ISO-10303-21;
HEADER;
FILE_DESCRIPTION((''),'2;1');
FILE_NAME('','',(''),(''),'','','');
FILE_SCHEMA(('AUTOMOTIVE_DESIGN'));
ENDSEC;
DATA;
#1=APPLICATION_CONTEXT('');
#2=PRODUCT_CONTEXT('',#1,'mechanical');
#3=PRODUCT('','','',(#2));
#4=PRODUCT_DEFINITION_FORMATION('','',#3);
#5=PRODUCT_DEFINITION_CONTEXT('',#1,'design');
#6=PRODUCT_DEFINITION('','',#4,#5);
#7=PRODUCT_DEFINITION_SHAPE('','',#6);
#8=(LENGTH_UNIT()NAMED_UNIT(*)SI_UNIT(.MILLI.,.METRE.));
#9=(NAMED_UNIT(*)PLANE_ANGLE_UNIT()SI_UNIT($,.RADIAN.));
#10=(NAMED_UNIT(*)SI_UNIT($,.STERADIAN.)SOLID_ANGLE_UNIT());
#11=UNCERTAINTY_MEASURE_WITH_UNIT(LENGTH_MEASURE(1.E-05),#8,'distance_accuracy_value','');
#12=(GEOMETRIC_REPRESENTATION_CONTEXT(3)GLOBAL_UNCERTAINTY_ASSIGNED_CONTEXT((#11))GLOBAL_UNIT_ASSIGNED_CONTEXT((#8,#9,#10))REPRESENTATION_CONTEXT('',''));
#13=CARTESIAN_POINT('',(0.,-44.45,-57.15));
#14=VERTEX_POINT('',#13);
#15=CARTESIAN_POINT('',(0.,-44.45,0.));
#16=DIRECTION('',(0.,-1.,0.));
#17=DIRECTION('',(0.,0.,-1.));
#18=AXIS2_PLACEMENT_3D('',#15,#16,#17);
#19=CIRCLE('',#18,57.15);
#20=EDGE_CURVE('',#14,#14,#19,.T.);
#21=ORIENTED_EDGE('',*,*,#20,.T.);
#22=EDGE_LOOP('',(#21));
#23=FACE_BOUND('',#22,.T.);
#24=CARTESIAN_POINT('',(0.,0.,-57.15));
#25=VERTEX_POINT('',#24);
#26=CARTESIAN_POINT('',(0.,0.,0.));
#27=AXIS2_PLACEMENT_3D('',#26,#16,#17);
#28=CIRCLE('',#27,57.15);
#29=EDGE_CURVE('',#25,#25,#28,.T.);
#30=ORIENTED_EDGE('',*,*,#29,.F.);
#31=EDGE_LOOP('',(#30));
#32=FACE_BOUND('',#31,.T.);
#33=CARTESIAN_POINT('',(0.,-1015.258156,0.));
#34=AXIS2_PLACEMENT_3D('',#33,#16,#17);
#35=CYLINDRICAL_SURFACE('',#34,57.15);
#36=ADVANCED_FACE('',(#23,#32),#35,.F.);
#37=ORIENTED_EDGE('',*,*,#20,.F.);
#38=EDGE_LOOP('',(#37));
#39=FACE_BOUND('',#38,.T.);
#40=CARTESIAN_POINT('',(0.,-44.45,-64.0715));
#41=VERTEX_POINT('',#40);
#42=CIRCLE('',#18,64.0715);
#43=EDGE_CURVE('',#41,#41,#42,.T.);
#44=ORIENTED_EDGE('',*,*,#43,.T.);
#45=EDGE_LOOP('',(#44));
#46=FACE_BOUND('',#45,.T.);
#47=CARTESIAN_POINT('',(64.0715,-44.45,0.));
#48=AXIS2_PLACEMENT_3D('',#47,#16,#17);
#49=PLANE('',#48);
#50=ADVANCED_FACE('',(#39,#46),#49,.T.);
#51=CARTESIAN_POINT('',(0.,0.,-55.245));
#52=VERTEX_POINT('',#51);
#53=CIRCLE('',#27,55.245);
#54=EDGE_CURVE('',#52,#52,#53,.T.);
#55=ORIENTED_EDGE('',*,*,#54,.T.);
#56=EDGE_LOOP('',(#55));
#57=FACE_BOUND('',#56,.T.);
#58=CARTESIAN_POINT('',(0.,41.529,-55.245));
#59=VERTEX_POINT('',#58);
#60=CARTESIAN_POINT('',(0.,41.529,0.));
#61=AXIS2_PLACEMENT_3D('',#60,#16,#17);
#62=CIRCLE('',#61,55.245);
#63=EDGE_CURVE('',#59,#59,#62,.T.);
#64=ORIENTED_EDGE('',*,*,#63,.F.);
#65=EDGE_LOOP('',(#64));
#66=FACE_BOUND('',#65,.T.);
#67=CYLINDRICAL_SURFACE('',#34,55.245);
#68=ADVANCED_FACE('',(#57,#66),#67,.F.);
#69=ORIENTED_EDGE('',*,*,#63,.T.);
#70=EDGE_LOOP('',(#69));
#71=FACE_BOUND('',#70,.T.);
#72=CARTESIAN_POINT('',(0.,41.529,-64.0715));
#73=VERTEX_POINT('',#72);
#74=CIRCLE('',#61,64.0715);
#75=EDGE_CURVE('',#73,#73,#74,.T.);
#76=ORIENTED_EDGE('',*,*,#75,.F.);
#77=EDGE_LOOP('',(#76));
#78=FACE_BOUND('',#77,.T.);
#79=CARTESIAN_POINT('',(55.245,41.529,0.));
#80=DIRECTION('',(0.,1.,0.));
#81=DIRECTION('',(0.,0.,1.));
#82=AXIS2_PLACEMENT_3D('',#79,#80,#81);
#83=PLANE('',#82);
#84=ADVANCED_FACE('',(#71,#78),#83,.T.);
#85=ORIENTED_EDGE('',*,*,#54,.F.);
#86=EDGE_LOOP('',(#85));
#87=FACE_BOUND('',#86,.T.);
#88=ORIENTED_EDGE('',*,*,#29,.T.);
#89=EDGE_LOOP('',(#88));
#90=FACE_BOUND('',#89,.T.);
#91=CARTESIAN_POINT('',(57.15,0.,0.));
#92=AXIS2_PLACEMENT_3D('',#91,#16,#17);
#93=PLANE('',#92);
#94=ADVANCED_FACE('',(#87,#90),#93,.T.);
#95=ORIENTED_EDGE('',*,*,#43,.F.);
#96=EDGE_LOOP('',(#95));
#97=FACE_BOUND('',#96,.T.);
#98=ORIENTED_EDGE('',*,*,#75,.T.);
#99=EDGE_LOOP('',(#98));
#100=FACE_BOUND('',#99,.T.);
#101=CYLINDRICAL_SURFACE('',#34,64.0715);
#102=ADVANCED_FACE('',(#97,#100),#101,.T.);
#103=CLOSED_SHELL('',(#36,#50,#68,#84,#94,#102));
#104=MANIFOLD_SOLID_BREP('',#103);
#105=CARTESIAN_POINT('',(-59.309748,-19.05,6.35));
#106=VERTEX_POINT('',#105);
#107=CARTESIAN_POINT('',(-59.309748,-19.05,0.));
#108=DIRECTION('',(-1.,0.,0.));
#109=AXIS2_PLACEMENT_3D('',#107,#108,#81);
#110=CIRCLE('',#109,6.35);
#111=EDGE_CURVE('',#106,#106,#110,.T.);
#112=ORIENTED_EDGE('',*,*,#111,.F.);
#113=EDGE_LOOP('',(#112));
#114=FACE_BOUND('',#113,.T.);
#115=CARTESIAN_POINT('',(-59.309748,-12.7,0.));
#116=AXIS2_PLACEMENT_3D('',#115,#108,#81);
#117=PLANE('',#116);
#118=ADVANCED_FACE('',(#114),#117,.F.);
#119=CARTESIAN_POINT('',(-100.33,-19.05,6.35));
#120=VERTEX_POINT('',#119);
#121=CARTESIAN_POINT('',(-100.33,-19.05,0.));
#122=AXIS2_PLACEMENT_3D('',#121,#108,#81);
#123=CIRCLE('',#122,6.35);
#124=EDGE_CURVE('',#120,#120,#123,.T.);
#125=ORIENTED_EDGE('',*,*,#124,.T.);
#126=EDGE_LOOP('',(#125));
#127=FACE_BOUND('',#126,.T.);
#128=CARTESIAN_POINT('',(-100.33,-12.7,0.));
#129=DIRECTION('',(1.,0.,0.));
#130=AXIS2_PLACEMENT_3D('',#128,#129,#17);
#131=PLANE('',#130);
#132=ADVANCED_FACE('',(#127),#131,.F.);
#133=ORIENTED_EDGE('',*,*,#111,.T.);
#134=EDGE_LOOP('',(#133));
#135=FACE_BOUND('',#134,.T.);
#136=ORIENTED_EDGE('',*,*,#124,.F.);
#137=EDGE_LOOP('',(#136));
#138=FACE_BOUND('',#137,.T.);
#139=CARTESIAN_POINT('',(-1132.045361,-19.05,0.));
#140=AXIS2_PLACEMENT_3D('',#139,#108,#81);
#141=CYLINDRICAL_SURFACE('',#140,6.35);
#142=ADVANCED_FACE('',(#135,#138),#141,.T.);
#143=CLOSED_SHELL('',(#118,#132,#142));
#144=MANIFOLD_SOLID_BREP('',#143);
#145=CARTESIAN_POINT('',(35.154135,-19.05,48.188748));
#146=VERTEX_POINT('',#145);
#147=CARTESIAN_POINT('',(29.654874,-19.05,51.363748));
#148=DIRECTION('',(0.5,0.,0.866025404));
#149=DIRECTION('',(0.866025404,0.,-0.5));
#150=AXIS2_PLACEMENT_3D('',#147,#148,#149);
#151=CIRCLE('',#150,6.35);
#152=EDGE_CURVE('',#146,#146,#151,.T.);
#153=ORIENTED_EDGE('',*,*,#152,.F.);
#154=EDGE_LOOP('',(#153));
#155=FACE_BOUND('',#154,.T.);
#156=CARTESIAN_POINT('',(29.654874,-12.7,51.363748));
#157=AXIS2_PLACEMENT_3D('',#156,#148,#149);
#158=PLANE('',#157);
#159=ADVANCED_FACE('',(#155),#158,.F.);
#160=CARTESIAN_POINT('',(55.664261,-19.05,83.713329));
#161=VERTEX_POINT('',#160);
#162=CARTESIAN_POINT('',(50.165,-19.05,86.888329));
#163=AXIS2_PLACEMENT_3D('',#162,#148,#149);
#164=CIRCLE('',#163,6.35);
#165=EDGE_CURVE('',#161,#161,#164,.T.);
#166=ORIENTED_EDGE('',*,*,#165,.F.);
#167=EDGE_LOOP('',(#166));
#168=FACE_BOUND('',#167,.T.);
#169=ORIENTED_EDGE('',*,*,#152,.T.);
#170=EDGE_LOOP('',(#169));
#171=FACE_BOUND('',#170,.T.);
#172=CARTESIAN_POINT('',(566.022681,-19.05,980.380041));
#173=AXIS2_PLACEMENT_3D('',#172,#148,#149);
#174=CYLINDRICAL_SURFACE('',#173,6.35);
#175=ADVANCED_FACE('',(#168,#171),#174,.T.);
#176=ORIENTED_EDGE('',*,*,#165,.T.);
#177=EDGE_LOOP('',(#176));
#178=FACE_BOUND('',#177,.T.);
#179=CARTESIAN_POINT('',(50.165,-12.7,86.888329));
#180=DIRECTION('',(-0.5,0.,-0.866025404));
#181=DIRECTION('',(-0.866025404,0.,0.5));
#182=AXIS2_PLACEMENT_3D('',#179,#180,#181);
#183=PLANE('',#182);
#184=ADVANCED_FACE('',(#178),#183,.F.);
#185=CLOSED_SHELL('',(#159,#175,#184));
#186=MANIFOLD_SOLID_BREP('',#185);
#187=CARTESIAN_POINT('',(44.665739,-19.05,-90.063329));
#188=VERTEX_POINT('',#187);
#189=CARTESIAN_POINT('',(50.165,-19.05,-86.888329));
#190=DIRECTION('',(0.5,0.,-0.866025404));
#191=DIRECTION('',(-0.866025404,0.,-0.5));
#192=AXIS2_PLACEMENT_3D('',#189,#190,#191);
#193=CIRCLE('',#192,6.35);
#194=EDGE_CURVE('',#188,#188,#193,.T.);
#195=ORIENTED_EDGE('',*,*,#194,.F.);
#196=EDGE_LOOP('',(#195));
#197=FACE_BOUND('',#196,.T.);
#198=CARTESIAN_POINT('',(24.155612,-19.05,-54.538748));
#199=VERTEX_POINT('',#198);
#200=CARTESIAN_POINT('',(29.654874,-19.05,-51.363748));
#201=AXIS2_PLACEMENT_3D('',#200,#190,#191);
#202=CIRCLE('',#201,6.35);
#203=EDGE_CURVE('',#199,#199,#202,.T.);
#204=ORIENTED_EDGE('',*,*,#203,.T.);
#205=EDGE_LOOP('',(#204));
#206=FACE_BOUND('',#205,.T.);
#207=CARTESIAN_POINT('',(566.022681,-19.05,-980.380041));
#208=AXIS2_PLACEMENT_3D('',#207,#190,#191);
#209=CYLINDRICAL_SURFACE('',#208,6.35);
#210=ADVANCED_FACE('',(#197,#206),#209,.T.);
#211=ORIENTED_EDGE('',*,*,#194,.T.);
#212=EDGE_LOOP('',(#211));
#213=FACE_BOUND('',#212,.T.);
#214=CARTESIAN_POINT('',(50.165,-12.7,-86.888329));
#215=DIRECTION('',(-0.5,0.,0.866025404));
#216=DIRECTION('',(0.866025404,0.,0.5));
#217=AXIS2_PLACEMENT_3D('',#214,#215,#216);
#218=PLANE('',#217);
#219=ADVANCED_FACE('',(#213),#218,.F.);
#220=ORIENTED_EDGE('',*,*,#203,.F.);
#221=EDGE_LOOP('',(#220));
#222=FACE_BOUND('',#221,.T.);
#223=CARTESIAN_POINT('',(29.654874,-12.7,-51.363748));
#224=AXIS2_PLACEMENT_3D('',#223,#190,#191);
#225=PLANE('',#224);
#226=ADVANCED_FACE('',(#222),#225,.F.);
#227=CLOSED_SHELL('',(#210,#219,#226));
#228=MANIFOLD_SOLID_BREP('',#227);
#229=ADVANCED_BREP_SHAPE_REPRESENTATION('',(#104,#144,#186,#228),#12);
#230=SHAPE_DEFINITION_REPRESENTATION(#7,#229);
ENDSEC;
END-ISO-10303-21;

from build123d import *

# Parameters (mm, degrees)
SKETCH2_W         = 41.020252489
SKETCH2_H         = 6.35
CIRPATTERN1_COUNT = 3


with BuildPart() as part:
    # Sketch1 → Revolve1 (revolve)
    with BuildSketch(Plane.XY):
        Polygon((57.15, -44.45), (57.15, 0), (55.245, 0), (55.245, 41.529), (64.0715, 41.529), (64.0715, -44.45), align=None)
    revolve(axis=Axis((0, -1015.258156135, 0), (0, 1, 0)))


with BuildPart() as body_2:
    # Sketch2 → Revolve2 (revolve)
    with BuildSketch(Plane.XY):
        with Locations((-79.819873756, -15.875)):
            Rectangle(SKETCH2_W, SKETCH2_H)
    revolve(axis=Axis((-1132.04536123, -19.05, 0), (1, 0, 0)))


with BuildPart() as cirpattern1_1:
    # CirPattern1: pattern copy
    add(body_2.part.rotate(Axis((0, 45.82795, 0), (0, -1, 0)), 1 * 360 / CIRPATTERN1_COUNT))


with BuildPart() as cirpattern1_2:
    # CirPattern1: pattern copy
    add(body_2.part.rotate(Axis((0, 45.82795, 0), (0, -1, 0)), 2 * 360 / CIRPATTERN1_COUNT))


solid = Compound([part.part, body_2.part, cirpattern1_1.part, cirpattern1_2.part])
